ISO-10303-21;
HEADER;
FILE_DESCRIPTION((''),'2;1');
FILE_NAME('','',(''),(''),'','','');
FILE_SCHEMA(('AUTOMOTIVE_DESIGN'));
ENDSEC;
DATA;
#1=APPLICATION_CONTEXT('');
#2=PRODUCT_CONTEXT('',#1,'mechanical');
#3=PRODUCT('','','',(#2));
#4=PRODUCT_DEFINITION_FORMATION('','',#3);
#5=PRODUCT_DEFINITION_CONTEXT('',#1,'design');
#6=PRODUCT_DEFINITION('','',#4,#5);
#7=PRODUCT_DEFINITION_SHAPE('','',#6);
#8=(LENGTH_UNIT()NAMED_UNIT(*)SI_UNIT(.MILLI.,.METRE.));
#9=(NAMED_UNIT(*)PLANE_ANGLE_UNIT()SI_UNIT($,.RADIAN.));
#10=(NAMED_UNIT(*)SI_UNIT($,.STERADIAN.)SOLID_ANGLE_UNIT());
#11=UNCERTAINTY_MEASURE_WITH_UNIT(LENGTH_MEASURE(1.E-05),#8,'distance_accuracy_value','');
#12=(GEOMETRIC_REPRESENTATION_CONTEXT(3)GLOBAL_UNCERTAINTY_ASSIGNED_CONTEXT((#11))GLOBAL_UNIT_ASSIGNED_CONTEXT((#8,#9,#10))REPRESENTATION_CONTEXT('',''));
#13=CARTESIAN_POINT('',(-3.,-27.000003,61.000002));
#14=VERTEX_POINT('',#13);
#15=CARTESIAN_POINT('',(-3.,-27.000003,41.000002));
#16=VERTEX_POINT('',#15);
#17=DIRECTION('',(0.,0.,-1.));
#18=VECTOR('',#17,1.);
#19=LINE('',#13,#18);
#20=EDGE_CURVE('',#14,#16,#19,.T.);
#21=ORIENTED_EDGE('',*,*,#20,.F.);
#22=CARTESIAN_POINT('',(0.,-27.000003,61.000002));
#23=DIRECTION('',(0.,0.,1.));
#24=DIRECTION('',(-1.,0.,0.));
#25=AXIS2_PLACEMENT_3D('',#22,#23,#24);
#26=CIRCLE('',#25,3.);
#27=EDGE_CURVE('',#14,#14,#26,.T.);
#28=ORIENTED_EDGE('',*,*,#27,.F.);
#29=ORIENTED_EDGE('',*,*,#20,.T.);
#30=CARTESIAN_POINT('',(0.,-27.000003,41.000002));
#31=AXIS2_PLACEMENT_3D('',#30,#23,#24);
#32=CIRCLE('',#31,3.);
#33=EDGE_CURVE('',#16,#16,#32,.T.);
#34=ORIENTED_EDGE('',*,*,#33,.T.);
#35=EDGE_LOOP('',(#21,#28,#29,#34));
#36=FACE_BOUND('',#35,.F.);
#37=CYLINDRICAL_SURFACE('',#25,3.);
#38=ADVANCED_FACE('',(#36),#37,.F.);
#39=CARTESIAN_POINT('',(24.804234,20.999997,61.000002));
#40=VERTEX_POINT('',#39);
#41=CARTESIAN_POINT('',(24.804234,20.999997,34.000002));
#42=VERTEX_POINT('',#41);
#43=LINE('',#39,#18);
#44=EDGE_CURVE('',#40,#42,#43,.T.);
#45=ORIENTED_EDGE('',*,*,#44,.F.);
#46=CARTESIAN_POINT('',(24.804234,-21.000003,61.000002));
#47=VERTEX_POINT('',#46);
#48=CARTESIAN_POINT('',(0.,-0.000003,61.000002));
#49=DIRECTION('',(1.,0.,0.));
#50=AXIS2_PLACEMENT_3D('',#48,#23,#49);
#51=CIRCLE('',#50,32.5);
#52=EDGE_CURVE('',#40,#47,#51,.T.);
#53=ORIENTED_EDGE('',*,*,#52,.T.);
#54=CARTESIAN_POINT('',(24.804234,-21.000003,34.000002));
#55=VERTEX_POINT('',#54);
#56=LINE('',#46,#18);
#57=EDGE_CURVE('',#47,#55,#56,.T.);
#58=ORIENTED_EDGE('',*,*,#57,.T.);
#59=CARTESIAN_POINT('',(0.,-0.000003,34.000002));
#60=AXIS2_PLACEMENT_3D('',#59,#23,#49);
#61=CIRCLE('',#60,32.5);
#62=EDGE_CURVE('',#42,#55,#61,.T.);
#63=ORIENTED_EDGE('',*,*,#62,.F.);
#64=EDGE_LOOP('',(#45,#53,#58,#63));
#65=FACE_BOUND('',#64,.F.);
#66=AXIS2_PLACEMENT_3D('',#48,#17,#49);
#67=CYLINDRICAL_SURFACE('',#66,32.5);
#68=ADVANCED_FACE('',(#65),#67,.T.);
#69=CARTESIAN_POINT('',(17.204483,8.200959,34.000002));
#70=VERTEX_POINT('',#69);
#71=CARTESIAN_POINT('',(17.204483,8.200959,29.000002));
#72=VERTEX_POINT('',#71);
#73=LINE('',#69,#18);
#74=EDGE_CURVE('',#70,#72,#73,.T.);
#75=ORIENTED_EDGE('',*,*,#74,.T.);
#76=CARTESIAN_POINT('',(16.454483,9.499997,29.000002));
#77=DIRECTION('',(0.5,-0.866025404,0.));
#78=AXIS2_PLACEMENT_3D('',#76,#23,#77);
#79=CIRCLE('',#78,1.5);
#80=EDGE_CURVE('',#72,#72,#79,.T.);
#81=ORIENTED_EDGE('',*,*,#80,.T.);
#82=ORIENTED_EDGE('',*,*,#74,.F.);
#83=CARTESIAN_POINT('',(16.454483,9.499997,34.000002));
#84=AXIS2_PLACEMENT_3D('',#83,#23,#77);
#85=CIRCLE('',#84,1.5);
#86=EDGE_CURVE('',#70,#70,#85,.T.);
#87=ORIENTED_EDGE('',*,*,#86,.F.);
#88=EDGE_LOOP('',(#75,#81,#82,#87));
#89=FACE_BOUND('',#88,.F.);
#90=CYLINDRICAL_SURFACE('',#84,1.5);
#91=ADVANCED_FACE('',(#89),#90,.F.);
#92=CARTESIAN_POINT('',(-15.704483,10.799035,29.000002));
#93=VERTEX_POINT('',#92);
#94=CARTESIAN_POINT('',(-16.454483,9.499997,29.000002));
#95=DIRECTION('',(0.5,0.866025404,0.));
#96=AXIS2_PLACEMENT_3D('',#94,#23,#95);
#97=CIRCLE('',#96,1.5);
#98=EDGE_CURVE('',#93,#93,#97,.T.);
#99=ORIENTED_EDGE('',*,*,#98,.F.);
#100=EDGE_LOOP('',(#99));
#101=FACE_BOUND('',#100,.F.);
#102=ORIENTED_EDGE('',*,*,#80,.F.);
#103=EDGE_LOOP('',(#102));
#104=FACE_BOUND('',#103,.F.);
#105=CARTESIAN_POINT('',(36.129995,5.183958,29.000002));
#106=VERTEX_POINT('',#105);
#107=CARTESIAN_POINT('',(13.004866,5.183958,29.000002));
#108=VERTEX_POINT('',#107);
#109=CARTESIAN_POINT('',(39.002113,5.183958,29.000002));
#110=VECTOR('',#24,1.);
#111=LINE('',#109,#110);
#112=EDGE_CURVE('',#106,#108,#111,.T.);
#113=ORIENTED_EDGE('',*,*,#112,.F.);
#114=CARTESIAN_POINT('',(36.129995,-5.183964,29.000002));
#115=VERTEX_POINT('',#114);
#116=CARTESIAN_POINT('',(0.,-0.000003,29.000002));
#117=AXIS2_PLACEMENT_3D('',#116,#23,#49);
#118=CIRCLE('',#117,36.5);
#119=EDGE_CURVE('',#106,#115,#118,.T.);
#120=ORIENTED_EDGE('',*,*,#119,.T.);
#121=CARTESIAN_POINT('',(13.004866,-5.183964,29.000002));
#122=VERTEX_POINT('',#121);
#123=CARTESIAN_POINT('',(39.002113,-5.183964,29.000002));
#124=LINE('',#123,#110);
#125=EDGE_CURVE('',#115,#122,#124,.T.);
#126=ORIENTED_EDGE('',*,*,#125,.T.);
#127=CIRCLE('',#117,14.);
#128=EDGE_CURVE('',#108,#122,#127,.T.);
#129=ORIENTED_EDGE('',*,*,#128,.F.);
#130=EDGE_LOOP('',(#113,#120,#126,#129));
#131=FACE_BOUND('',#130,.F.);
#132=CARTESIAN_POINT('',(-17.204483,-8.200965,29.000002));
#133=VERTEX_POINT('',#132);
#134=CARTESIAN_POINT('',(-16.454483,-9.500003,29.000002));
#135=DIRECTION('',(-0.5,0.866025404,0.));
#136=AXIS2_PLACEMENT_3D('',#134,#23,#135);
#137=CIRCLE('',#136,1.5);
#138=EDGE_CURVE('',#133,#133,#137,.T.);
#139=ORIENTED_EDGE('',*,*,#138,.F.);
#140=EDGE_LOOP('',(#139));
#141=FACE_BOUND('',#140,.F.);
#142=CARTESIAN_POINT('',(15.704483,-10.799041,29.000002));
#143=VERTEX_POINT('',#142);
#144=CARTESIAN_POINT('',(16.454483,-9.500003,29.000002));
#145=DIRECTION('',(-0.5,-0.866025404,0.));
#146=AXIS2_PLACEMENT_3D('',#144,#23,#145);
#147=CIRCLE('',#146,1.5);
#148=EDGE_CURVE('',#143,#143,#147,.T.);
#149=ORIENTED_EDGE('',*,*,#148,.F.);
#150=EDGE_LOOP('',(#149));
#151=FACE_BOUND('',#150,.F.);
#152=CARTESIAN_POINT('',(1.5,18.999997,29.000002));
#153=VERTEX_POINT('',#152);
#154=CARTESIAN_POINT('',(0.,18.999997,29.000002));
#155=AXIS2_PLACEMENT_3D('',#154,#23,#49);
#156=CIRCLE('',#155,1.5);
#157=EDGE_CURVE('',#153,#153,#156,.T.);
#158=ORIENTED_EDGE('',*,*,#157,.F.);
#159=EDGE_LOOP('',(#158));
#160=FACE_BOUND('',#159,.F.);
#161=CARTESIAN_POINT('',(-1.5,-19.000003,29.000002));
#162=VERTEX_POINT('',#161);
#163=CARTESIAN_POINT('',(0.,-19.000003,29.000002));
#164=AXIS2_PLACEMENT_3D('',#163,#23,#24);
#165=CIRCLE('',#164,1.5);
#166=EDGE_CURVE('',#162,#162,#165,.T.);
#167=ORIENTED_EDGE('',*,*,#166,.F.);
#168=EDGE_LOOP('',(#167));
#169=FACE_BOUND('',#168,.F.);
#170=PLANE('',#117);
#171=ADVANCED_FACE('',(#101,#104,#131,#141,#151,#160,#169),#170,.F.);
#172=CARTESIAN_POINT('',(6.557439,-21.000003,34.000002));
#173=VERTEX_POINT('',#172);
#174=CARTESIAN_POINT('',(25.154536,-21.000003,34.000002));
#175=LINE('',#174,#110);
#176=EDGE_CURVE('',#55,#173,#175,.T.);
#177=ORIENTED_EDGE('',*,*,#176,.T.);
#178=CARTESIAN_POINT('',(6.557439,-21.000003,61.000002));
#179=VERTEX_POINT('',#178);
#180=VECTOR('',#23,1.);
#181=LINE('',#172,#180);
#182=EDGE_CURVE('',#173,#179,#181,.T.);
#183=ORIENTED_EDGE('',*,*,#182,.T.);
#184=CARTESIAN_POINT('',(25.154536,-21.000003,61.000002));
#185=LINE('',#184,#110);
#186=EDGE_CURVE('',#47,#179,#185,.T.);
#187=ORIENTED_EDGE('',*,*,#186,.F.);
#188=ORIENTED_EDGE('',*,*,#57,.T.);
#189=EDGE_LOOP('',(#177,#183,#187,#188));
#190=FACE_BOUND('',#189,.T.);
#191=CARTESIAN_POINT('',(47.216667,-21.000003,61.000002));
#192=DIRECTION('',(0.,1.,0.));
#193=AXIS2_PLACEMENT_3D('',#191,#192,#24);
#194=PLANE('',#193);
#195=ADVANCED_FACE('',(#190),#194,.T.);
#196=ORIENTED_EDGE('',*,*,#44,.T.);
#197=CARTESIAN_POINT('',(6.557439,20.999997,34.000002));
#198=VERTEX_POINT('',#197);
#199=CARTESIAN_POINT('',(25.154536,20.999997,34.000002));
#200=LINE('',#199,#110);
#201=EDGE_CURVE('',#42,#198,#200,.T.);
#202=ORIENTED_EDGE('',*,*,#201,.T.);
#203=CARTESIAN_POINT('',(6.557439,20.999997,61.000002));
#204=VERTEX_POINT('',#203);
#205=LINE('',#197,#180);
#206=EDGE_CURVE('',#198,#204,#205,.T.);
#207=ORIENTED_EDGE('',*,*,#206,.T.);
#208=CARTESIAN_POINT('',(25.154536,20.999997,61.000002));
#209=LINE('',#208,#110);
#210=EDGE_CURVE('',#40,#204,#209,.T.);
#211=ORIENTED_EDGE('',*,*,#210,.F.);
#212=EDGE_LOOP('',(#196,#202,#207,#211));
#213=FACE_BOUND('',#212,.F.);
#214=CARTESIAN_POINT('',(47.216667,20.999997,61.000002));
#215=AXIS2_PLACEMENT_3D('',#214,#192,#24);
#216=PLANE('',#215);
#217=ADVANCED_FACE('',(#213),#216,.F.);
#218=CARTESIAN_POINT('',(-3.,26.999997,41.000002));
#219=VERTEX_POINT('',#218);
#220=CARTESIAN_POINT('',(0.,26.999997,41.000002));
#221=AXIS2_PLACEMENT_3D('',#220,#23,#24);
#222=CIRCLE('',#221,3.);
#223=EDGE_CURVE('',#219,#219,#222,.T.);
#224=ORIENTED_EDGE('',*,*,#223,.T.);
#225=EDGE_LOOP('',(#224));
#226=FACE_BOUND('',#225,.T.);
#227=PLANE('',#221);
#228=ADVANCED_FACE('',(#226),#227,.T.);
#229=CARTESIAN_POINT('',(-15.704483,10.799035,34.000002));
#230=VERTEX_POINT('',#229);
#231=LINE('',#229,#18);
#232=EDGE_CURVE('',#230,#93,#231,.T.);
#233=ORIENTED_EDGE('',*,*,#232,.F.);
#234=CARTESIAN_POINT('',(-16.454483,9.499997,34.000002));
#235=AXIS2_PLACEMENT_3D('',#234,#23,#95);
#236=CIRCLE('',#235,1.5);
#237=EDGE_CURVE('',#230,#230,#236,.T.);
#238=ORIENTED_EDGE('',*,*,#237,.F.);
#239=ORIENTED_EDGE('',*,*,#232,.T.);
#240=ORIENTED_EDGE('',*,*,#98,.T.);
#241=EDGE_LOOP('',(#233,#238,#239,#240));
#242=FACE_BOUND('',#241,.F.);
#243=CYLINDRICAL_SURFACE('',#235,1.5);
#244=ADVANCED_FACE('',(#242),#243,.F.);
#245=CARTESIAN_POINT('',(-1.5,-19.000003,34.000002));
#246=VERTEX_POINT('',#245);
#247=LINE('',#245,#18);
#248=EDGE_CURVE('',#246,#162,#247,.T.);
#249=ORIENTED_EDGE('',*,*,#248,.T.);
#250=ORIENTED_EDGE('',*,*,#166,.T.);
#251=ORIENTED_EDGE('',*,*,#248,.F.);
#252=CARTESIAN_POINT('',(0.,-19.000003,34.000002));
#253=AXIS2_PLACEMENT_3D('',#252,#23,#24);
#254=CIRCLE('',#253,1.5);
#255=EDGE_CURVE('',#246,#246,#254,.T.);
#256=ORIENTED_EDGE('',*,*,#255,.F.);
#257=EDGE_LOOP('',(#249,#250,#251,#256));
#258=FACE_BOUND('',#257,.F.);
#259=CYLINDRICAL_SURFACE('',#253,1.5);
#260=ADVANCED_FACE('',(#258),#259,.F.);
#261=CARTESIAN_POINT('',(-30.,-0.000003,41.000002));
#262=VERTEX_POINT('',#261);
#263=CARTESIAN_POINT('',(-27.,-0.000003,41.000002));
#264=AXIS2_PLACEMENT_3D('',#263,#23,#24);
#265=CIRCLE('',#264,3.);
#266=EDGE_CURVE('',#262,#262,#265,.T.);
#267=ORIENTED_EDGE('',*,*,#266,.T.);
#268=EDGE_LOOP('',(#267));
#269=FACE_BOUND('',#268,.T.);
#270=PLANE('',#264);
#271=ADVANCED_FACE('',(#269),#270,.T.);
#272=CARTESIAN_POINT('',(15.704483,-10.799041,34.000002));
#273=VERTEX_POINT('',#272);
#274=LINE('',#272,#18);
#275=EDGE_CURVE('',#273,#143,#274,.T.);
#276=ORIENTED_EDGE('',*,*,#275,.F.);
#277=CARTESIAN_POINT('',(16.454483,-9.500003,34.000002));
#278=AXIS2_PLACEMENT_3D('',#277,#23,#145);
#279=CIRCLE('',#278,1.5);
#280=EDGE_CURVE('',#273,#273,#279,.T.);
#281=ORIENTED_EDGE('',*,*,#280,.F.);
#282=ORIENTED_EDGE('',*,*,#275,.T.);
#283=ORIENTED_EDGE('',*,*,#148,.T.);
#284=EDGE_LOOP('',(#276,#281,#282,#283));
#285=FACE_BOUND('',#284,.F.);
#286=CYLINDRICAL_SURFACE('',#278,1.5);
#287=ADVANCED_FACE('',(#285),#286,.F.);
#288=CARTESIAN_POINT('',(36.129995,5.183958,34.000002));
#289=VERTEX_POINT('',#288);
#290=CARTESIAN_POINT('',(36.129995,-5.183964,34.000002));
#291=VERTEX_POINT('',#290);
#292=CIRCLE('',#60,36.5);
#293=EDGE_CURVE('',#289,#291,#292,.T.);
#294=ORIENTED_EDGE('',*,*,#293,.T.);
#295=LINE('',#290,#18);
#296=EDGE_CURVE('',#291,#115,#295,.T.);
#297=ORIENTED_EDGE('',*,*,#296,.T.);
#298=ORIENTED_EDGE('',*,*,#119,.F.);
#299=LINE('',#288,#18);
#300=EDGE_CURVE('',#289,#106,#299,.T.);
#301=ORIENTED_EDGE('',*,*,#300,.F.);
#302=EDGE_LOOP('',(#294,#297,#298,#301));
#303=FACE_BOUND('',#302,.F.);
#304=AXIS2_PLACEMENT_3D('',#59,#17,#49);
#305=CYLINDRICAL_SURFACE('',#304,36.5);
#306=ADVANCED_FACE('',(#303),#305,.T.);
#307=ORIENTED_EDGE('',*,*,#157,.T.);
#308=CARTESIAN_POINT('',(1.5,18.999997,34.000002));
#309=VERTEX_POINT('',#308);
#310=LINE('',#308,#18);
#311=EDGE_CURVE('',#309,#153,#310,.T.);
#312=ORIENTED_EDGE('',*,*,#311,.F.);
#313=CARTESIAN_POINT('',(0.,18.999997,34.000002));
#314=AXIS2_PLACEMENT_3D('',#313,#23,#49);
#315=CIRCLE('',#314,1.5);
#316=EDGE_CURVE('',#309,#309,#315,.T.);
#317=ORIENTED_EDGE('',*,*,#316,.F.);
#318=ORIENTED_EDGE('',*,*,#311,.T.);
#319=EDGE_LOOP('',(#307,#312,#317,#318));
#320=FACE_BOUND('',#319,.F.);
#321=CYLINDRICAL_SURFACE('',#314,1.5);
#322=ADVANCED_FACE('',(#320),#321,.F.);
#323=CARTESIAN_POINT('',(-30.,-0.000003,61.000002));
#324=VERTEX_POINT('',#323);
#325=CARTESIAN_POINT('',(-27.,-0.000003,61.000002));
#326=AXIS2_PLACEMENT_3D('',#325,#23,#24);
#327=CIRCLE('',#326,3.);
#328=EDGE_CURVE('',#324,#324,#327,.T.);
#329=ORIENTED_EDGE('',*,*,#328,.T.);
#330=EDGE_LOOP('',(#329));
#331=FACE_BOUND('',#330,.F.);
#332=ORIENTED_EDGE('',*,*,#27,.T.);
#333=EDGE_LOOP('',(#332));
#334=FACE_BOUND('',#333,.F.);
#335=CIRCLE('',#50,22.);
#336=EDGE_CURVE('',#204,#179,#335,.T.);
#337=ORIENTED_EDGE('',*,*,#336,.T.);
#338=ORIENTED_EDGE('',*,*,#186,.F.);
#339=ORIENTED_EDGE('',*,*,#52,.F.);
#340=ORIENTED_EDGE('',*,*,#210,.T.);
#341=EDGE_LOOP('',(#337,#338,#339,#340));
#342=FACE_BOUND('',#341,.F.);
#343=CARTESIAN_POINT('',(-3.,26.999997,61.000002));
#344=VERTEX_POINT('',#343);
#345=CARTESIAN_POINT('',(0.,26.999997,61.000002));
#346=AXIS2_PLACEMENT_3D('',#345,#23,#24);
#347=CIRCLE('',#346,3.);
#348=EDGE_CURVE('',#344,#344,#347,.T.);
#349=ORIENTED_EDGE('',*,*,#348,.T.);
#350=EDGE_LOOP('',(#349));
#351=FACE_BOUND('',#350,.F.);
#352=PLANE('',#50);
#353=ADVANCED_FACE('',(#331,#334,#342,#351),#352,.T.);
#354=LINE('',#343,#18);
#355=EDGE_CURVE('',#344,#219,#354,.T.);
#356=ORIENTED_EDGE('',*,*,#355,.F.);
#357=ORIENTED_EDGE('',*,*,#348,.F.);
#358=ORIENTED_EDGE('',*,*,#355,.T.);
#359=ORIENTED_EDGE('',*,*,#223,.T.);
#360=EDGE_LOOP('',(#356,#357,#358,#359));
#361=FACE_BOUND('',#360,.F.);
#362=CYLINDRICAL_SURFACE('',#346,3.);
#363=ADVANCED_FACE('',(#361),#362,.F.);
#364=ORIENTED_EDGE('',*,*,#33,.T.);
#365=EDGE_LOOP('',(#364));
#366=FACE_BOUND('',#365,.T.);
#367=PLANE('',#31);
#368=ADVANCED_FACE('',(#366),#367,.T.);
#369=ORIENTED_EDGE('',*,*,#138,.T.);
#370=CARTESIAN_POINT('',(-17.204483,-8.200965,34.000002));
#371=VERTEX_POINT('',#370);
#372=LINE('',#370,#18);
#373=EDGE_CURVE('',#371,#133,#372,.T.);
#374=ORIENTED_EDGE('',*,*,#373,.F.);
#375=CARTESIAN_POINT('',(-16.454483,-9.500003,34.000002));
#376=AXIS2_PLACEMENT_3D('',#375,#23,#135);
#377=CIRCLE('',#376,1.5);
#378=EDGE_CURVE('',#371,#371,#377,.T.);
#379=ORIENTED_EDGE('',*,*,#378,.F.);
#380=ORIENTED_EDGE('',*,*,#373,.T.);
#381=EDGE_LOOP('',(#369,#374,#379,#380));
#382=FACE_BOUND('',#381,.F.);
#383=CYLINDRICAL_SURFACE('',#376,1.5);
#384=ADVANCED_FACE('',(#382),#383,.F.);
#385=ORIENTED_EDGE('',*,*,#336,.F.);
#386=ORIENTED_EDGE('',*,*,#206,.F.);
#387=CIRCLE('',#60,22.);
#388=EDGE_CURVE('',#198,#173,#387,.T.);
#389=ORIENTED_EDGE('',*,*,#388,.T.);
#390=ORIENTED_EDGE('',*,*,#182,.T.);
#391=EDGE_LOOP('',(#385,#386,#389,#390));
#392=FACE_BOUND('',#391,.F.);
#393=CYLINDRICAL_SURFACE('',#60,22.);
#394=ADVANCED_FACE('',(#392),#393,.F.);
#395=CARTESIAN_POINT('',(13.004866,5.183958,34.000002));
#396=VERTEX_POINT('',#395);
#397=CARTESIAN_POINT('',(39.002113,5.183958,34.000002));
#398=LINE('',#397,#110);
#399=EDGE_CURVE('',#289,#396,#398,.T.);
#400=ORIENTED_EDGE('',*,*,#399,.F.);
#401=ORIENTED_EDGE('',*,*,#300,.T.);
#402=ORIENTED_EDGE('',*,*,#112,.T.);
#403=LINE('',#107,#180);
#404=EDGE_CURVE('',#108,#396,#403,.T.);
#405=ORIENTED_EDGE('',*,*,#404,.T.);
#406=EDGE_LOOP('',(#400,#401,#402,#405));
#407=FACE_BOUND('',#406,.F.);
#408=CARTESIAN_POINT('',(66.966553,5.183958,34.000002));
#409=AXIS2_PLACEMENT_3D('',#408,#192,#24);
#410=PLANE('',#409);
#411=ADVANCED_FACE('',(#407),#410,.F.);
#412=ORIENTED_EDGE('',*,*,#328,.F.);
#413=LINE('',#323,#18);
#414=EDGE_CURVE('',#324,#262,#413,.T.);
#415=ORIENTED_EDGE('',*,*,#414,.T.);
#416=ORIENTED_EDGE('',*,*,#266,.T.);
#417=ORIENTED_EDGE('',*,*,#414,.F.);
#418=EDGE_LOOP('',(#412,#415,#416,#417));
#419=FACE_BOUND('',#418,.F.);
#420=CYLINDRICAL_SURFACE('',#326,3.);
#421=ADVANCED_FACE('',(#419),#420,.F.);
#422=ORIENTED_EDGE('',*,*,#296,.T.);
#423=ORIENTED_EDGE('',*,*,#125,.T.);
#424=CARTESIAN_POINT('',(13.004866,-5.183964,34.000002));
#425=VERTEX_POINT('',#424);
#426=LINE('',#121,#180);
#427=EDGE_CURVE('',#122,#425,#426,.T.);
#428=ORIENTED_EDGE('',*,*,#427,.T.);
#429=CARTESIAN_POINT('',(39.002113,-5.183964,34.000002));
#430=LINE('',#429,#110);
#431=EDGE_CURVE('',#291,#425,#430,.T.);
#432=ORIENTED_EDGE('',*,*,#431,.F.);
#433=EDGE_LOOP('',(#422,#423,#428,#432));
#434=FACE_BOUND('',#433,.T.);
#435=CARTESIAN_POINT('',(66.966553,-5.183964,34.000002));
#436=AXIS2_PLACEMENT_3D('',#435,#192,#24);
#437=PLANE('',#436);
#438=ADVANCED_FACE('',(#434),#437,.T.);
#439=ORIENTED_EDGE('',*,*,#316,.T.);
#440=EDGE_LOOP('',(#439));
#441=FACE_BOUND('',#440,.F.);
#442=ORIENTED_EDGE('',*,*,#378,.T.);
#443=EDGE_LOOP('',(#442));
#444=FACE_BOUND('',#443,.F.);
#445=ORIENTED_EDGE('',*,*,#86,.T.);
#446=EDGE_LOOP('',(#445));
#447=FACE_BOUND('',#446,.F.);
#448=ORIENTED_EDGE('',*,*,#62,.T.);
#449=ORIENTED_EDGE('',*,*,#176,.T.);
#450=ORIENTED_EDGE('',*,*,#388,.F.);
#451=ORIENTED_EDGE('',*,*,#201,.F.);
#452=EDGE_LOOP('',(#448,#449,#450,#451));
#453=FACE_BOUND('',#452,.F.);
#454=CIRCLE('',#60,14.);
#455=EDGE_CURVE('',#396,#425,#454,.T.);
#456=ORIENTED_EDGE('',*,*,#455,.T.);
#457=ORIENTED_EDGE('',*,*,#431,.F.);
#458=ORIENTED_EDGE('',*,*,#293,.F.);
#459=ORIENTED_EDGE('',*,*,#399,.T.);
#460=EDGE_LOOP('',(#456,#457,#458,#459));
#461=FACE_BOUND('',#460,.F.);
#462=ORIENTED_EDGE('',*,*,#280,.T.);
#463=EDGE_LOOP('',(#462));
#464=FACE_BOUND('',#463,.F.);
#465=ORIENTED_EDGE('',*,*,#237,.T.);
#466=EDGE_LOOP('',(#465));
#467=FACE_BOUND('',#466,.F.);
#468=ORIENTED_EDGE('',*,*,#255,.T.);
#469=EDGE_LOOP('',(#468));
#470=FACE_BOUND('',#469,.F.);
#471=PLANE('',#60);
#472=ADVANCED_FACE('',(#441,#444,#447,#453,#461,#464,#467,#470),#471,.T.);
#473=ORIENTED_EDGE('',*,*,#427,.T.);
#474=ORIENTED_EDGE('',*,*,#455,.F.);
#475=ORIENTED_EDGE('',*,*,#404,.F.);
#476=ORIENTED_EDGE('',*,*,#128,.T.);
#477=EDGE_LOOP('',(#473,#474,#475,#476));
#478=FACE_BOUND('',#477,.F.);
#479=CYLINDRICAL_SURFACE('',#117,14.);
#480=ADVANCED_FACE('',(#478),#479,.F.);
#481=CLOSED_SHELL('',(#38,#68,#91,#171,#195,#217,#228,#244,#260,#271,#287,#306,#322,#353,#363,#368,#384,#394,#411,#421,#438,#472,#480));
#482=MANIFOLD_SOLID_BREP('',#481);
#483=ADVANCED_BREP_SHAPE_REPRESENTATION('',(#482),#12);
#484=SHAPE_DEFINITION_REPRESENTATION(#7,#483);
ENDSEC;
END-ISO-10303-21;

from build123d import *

# Parameters (mm, degrees)
SKETCH018_R           = 1.5
POCKET002_DEPTH       = 5
POLARPATTERN001_COUNT = 6
SKETCH019_W           = 44.124263
SKETCH019_H           = 42
POCKET003_DEPTH       = 27
SKETCH020_R           = 3
POCKET004_DEPTH       = 20
SKETCH021_W           = 55.928879
SKETCH021_H           = 10.367922
POCKET005_DEPTH       = 5


with BuildPart() as part:
    # Sketch017 → Revolution001 (revolve)
    with BuildSketch(Plane.XZ):
        Polygon((14, 0), (14, 5), (22, 5), (22, 32), (32.5, 32), (32.5, 5), (36.5, 5), (36.5, 0), align=None)
    revolve(axis=Axis((0, 0, 0), (0, 0, 1)))

    # Sketch018 (on Face2 of Revolution001) → Pocket002 (cut)
    with BuildSketch(Plane(origin=(0, 0, 5), x_dir=(-1, 0, 0), z_dir=(0, 0, 1))):
        with Locations((0, 19)):
            Circle(SKETCH018_R)
    pocket002 = extrude(amount=-POCKET002_DEPTH, mode=Mode.SUBTRACT)

    # PolarPattern001: Pocket002 ×6 about axis
    polarpattern001_axis = Axis((0, 0, 5), (0, 0, 1))
    for i in range(1, POLARPATTERN001_COUNT):
        add(pocket002.rotate(polarpattern001_axis, i * 360 / POLARPATTERN001_COUNT), mode=Mode.SUBTRACT)

    # Sketch019 (on Face13 of PolarPattern001) → Pocket003 (cut)
    with BuildSketch(Plane(origin=(0, 0, 32), x_dir=(-1, 0, 0), z_dir=(0, 0, 1))):
        with Locations((-25.154536, 0)):
            Rectangle(SKETCH019_W, SKETCH019_H)
    extrude(amount=-POCKET003_DEPTH, mode=Mode.SUBTRACT)

    # Sketch020 (on Face14 of Pocket003) → Pocket004 (cut)
    with BuildSketch(Plane(origin=(0, 0, 32), x_dir=(-1, 0, 0), z_dir=(0, 0, 1))):
        with Locations((0, 27)):
            Circle(SKETCH020_R)
        with Locations((0, -27)):
            Circle(SKETCH020_R)
        with Locations((27, 0)):
            Circle(SKETCH020_R)
    extrude(amount=-POCKET004_DEPTH, mode=Mode.SUBTRACT)

    # Sketch021 (on Face2 of Pocket004) → Pocket005 (cut)
    with BuildSketch(Plane(origin=(0, 0, 5), x_dir=(-1, 0, 0), z_dir=(0, 0, 1))):
        with Locations((-39.002113, 0)):
            Rectangle(SKETCH021_W, SKETCH021_H)
    extrude(amount=-POCKET005_DEPTH, mode=Mode.SUBTRACT)


with BuildPart() as part_1:
    # Body placement: moved
    add(part.part.moved(Location((0, -3e-06, 29.000002))))


solid = part_1.part
